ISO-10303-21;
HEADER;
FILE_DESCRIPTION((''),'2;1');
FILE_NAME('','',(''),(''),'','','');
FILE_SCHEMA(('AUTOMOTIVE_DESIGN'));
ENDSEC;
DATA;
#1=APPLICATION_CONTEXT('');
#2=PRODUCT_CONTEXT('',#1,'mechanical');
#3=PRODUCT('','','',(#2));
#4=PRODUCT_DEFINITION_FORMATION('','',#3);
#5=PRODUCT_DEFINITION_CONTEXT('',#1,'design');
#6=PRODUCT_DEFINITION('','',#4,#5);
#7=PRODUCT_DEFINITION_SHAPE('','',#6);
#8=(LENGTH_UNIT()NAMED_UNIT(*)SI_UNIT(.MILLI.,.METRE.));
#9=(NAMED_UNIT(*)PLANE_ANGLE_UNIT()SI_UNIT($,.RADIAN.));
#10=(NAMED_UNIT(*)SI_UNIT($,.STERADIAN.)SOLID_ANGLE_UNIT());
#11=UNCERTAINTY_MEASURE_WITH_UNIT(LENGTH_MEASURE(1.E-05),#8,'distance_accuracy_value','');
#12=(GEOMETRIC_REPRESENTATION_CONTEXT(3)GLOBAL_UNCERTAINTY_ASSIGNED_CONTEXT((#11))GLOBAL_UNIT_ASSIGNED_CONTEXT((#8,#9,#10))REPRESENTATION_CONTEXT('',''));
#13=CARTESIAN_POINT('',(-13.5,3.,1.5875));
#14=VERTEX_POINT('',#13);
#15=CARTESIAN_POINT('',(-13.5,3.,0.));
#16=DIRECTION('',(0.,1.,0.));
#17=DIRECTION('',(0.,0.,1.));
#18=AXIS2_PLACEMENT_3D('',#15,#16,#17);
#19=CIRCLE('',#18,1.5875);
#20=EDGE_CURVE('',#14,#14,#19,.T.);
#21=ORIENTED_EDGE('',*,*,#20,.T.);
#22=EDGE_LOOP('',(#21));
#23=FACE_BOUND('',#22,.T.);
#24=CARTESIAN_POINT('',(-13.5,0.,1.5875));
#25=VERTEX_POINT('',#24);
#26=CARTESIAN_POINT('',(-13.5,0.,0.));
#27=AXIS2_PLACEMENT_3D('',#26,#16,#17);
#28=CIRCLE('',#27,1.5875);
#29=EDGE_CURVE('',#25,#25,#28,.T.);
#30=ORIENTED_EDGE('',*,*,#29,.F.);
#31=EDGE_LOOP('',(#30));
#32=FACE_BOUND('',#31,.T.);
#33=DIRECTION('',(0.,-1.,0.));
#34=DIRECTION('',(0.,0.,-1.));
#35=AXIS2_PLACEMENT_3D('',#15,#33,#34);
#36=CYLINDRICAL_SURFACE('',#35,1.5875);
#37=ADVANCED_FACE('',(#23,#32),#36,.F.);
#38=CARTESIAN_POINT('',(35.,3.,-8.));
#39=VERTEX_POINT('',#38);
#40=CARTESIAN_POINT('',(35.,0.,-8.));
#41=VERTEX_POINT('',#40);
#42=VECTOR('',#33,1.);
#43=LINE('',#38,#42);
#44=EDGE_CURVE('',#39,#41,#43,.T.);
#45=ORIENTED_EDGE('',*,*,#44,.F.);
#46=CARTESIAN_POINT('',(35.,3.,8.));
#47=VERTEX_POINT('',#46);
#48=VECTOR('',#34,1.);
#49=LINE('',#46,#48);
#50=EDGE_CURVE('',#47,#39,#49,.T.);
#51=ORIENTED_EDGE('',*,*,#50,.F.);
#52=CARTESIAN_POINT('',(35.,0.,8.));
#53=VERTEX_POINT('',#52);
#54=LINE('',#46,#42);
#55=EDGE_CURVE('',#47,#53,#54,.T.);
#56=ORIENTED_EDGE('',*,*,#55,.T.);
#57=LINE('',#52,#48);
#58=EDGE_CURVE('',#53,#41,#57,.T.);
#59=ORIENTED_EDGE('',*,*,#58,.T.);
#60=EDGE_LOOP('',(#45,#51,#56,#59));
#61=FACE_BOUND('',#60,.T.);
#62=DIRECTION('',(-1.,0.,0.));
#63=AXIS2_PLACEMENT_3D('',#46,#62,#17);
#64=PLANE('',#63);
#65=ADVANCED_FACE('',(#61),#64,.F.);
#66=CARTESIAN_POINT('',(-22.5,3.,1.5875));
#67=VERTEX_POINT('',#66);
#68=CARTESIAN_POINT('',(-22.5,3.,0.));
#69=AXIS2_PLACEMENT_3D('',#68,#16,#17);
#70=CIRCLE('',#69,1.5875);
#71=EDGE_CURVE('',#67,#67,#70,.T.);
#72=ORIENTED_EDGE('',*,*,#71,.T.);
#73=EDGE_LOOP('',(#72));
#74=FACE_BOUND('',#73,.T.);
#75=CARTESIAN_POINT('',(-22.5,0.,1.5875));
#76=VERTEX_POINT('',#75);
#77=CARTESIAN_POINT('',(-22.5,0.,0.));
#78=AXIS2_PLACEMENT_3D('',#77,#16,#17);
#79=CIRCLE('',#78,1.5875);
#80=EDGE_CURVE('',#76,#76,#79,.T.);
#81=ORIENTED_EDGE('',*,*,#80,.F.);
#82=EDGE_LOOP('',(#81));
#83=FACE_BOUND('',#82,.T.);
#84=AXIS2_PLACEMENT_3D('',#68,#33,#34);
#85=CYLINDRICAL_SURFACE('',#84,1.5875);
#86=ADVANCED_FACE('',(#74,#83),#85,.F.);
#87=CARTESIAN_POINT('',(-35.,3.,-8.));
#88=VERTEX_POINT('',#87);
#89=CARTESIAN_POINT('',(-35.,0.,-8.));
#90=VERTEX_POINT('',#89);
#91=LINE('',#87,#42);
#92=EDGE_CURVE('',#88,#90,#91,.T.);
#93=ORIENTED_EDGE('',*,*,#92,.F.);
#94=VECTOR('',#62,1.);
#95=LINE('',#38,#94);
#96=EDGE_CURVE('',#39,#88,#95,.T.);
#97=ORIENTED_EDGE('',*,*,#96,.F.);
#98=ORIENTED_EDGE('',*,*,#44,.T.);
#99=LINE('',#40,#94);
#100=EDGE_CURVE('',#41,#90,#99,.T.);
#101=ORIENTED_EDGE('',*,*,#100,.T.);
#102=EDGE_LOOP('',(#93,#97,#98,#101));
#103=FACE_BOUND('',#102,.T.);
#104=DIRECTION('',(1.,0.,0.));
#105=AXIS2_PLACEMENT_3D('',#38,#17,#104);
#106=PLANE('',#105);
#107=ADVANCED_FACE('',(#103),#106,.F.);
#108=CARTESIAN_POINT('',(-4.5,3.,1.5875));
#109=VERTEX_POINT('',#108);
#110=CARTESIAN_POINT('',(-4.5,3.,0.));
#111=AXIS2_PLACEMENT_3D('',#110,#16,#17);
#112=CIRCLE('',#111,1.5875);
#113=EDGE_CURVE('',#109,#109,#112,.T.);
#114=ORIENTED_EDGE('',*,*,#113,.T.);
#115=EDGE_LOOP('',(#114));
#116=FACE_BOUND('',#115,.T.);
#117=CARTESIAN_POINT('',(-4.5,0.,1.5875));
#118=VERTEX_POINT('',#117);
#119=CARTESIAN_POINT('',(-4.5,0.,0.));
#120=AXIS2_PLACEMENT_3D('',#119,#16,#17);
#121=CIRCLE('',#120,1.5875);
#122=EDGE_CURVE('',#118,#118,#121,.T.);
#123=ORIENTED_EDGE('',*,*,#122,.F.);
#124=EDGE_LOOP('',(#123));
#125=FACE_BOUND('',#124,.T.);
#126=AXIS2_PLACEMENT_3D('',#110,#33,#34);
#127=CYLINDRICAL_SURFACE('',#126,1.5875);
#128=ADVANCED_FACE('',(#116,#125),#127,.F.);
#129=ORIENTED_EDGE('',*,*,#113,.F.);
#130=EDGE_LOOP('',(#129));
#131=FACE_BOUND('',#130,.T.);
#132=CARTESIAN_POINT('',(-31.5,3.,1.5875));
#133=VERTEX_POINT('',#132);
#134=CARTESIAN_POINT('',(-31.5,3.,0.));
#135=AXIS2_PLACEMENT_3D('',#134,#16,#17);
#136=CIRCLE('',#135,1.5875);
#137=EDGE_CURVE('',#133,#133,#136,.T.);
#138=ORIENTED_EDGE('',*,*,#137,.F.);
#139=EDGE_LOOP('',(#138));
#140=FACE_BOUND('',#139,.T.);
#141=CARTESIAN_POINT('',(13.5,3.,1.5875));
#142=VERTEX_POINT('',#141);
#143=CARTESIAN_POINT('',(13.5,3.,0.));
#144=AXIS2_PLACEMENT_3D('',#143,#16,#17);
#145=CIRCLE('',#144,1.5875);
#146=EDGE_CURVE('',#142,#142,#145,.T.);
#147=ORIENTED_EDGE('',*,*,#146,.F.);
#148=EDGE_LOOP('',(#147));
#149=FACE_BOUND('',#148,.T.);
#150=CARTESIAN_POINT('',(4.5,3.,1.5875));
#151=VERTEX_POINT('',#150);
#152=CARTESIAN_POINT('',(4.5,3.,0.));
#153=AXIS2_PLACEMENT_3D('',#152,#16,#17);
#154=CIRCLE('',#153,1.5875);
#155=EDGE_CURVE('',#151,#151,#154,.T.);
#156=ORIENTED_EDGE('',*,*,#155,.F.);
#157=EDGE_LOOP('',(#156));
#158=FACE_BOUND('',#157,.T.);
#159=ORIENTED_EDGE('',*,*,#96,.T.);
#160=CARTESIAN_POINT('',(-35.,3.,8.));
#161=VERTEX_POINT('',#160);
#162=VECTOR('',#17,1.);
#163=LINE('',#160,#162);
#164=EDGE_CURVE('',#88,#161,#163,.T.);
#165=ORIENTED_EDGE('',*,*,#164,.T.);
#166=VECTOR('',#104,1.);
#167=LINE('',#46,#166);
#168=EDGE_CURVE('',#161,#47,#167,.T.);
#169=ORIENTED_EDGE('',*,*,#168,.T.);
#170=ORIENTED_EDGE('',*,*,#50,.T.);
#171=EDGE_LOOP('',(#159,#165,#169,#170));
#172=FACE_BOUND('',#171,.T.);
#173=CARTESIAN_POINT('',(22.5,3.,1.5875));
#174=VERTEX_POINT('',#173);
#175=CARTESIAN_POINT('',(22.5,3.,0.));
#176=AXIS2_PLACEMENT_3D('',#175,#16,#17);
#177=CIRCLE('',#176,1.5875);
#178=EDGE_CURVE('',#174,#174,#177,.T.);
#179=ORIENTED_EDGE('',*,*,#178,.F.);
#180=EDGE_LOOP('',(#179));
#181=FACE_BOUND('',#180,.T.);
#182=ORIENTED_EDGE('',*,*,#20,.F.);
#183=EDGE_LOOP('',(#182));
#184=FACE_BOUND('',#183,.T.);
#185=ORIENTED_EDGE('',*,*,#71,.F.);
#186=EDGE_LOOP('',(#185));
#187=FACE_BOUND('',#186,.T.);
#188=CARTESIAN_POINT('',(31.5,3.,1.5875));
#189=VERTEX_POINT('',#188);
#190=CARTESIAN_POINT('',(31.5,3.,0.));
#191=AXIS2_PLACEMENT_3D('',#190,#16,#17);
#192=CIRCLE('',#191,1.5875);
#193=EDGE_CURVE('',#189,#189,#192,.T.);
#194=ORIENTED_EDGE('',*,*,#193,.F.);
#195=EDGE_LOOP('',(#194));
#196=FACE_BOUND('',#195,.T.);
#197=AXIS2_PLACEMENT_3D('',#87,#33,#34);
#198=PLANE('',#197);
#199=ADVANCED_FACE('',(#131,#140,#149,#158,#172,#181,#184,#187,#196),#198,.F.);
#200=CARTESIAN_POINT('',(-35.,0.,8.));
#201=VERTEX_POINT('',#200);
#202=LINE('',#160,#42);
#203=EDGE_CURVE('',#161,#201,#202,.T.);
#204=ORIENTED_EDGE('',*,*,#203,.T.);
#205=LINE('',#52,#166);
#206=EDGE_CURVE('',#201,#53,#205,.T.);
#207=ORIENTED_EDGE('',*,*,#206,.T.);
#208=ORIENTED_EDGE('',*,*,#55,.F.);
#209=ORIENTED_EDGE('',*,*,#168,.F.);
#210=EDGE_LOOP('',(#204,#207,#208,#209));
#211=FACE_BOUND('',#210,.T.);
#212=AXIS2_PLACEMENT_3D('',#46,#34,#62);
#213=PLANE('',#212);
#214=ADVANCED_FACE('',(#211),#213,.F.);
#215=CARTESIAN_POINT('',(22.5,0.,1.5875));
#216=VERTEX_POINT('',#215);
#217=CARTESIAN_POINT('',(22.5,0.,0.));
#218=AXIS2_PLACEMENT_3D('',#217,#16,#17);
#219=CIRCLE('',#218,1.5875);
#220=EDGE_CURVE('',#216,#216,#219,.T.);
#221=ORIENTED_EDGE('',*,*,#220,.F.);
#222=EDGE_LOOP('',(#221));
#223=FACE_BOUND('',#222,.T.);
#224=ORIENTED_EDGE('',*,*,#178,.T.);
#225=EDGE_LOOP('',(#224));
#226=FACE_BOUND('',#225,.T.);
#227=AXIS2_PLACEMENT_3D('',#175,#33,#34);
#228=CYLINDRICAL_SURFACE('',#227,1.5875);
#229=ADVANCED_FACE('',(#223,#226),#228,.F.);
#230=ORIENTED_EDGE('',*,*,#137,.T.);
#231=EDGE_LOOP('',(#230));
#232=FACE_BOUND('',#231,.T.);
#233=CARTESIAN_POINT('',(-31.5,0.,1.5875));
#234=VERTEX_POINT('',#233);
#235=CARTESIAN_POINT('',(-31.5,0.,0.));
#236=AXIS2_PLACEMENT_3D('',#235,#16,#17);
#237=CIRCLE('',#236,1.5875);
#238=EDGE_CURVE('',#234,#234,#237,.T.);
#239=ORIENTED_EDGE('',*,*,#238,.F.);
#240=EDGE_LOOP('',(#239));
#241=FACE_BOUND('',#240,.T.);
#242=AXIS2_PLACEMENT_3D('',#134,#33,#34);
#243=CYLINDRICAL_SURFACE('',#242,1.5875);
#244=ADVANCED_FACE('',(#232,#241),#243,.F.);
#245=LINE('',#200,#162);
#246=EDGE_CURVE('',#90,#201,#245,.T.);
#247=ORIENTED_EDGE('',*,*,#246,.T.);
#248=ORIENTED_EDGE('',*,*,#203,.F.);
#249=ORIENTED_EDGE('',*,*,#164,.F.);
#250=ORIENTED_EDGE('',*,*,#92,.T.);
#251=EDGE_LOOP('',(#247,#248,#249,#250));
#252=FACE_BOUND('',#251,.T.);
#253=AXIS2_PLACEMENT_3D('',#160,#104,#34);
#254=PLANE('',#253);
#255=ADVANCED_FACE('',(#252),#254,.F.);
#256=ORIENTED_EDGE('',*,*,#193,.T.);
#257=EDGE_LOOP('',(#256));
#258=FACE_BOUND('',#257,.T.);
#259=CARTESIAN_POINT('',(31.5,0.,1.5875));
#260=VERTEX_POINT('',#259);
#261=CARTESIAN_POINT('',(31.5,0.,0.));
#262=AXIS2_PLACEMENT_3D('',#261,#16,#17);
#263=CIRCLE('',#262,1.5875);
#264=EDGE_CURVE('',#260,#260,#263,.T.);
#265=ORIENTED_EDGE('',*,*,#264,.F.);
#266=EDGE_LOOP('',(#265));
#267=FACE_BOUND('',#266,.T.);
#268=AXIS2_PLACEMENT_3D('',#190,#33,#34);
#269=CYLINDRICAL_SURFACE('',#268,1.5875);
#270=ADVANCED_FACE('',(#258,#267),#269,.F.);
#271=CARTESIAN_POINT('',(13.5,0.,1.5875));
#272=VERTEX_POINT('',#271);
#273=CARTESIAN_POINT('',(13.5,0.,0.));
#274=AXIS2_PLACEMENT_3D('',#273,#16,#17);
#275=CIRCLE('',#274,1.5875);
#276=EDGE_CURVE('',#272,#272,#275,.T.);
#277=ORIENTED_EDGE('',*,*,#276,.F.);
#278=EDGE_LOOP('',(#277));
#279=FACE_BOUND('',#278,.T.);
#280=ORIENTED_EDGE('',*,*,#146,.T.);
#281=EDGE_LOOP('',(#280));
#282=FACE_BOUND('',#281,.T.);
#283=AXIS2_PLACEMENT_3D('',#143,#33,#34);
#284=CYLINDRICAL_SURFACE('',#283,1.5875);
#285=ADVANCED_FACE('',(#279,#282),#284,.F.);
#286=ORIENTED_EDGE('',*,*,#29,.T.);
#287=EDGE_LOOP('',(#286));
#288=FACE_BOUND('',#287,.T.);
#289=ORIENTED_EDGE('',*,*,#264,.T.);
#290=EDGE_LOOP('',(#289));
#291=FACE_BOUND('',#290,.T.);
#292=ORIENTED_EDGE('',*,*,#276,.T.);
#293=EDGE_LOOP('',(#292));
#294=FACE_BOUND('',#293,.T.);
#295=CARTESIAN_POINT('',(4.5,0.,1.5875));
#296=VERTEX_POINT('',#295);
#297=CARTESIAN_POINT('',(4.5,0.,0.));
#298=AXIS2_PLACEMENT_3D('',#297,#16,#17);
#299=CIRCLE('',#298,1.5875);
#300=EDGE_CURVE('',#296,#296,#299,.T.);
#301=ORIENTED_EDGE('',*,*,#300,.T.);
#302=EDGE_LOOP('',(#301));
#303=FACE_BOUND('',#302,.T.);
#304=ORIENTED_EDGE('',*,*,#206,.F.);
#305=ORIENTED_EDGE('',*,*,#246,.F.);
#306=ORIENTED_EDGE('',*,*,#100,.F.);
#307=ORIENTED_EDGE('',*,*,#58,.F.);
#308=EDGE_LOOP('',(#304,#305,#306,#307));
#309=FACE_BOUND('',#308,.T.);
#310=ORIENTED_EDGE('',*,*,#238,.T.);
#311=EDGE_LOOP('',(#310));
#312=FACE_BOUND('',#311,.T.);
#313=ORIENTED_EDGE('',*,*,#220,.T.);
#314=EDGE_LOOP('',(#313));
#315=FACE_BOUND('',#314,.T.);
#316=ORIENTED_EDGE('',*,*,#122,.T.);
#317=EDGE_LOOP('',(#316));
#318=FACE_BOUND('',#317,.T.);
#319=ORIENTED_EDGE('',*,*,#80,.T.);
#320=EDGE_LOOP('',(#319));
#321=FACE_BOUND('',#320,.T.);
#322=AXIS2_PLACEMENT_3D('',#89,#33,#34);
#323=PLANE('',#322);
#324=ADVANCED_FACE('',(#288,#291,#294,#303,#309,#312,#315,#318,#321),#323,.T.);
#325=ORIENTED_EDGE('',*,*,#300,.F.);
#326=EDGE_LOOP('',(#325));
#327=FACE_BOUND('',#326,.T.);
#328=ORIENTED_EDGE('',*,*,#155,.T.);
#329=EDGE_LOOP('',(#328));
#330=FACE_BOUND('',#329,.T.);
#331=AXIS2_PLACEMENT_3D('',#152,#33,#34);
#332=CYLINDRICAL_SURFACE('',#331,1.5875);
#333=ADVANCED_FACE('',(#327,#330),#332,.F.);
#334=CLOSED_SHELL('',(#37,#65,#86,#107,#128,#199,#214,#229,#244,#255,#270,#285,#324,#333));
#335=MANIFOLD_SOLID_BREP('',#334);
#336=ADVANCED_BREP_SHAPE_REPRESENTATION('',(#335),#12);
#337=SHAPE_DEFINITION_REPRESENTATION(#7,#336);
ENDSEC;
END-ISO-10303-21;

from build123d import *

# Parameters (mm, degrees)
SKETCH1_W           = 70
SKETCH1_H           = 16
SKETCH1_R           = 1.5875
BOSS_EXTRUDE1_DEPTH = 3


with BuildPart() as part:
    # Sketch1 → Boss-Extrude1 (new body)
    with BuildSketch(Plane(origin=(0, 0, 0), x_dir=(1, 0, 0), z_dir=(0, 1, 0))):
        Rectangle(SKETCH1_W, SKETCH1_H)
        with Locations(Location((-4.5, 0, 0), (0, 0, 270))):
            Circle(SKETCH1_R, mode=Mode.SUBTRACT)
        with Locations(Location((4.5, 0, 0), (0, 0, 270))):
            Circle(SKETCH1_R, mode=Mode.SUBTRACT)
        with Locations(Location((13.5, 0, 0), (0, 0, 270))):
            Circle(SKETCH1_R, mode=Mode.SUBTRACT)
        with Locations(Location((22.5, 0, 0), (0, 0, 270))):
            Circle(SKETCH1_R, mode=Mode.SUBTRACT)
        with Locations(Location((31.5, 0, 0), (0, 0, 270))):
            Circle(SKETCH1_R, mode=Mode.SUBTRACT)
        with Locations(Location((-13.5, 0, 0), (0, 0, 270))):
            Circle(SKETCH1_R, mode=Mode.SUBTRACT)
        with Locations(Location((-22.5, 0, 0), (0, 0, 270))):
            Circle(SKETCH1_R, mode=Mode.SUBTRACT)
        with Locations(Location((-31.5, 0, 0), (0, 0, 270))):
            Circle(SKETCH1_R, mode=Mode.SUBTRACT)
    extrude(amount=BOSS_EXTRUDE1_DEPTH)


solid = part.part
